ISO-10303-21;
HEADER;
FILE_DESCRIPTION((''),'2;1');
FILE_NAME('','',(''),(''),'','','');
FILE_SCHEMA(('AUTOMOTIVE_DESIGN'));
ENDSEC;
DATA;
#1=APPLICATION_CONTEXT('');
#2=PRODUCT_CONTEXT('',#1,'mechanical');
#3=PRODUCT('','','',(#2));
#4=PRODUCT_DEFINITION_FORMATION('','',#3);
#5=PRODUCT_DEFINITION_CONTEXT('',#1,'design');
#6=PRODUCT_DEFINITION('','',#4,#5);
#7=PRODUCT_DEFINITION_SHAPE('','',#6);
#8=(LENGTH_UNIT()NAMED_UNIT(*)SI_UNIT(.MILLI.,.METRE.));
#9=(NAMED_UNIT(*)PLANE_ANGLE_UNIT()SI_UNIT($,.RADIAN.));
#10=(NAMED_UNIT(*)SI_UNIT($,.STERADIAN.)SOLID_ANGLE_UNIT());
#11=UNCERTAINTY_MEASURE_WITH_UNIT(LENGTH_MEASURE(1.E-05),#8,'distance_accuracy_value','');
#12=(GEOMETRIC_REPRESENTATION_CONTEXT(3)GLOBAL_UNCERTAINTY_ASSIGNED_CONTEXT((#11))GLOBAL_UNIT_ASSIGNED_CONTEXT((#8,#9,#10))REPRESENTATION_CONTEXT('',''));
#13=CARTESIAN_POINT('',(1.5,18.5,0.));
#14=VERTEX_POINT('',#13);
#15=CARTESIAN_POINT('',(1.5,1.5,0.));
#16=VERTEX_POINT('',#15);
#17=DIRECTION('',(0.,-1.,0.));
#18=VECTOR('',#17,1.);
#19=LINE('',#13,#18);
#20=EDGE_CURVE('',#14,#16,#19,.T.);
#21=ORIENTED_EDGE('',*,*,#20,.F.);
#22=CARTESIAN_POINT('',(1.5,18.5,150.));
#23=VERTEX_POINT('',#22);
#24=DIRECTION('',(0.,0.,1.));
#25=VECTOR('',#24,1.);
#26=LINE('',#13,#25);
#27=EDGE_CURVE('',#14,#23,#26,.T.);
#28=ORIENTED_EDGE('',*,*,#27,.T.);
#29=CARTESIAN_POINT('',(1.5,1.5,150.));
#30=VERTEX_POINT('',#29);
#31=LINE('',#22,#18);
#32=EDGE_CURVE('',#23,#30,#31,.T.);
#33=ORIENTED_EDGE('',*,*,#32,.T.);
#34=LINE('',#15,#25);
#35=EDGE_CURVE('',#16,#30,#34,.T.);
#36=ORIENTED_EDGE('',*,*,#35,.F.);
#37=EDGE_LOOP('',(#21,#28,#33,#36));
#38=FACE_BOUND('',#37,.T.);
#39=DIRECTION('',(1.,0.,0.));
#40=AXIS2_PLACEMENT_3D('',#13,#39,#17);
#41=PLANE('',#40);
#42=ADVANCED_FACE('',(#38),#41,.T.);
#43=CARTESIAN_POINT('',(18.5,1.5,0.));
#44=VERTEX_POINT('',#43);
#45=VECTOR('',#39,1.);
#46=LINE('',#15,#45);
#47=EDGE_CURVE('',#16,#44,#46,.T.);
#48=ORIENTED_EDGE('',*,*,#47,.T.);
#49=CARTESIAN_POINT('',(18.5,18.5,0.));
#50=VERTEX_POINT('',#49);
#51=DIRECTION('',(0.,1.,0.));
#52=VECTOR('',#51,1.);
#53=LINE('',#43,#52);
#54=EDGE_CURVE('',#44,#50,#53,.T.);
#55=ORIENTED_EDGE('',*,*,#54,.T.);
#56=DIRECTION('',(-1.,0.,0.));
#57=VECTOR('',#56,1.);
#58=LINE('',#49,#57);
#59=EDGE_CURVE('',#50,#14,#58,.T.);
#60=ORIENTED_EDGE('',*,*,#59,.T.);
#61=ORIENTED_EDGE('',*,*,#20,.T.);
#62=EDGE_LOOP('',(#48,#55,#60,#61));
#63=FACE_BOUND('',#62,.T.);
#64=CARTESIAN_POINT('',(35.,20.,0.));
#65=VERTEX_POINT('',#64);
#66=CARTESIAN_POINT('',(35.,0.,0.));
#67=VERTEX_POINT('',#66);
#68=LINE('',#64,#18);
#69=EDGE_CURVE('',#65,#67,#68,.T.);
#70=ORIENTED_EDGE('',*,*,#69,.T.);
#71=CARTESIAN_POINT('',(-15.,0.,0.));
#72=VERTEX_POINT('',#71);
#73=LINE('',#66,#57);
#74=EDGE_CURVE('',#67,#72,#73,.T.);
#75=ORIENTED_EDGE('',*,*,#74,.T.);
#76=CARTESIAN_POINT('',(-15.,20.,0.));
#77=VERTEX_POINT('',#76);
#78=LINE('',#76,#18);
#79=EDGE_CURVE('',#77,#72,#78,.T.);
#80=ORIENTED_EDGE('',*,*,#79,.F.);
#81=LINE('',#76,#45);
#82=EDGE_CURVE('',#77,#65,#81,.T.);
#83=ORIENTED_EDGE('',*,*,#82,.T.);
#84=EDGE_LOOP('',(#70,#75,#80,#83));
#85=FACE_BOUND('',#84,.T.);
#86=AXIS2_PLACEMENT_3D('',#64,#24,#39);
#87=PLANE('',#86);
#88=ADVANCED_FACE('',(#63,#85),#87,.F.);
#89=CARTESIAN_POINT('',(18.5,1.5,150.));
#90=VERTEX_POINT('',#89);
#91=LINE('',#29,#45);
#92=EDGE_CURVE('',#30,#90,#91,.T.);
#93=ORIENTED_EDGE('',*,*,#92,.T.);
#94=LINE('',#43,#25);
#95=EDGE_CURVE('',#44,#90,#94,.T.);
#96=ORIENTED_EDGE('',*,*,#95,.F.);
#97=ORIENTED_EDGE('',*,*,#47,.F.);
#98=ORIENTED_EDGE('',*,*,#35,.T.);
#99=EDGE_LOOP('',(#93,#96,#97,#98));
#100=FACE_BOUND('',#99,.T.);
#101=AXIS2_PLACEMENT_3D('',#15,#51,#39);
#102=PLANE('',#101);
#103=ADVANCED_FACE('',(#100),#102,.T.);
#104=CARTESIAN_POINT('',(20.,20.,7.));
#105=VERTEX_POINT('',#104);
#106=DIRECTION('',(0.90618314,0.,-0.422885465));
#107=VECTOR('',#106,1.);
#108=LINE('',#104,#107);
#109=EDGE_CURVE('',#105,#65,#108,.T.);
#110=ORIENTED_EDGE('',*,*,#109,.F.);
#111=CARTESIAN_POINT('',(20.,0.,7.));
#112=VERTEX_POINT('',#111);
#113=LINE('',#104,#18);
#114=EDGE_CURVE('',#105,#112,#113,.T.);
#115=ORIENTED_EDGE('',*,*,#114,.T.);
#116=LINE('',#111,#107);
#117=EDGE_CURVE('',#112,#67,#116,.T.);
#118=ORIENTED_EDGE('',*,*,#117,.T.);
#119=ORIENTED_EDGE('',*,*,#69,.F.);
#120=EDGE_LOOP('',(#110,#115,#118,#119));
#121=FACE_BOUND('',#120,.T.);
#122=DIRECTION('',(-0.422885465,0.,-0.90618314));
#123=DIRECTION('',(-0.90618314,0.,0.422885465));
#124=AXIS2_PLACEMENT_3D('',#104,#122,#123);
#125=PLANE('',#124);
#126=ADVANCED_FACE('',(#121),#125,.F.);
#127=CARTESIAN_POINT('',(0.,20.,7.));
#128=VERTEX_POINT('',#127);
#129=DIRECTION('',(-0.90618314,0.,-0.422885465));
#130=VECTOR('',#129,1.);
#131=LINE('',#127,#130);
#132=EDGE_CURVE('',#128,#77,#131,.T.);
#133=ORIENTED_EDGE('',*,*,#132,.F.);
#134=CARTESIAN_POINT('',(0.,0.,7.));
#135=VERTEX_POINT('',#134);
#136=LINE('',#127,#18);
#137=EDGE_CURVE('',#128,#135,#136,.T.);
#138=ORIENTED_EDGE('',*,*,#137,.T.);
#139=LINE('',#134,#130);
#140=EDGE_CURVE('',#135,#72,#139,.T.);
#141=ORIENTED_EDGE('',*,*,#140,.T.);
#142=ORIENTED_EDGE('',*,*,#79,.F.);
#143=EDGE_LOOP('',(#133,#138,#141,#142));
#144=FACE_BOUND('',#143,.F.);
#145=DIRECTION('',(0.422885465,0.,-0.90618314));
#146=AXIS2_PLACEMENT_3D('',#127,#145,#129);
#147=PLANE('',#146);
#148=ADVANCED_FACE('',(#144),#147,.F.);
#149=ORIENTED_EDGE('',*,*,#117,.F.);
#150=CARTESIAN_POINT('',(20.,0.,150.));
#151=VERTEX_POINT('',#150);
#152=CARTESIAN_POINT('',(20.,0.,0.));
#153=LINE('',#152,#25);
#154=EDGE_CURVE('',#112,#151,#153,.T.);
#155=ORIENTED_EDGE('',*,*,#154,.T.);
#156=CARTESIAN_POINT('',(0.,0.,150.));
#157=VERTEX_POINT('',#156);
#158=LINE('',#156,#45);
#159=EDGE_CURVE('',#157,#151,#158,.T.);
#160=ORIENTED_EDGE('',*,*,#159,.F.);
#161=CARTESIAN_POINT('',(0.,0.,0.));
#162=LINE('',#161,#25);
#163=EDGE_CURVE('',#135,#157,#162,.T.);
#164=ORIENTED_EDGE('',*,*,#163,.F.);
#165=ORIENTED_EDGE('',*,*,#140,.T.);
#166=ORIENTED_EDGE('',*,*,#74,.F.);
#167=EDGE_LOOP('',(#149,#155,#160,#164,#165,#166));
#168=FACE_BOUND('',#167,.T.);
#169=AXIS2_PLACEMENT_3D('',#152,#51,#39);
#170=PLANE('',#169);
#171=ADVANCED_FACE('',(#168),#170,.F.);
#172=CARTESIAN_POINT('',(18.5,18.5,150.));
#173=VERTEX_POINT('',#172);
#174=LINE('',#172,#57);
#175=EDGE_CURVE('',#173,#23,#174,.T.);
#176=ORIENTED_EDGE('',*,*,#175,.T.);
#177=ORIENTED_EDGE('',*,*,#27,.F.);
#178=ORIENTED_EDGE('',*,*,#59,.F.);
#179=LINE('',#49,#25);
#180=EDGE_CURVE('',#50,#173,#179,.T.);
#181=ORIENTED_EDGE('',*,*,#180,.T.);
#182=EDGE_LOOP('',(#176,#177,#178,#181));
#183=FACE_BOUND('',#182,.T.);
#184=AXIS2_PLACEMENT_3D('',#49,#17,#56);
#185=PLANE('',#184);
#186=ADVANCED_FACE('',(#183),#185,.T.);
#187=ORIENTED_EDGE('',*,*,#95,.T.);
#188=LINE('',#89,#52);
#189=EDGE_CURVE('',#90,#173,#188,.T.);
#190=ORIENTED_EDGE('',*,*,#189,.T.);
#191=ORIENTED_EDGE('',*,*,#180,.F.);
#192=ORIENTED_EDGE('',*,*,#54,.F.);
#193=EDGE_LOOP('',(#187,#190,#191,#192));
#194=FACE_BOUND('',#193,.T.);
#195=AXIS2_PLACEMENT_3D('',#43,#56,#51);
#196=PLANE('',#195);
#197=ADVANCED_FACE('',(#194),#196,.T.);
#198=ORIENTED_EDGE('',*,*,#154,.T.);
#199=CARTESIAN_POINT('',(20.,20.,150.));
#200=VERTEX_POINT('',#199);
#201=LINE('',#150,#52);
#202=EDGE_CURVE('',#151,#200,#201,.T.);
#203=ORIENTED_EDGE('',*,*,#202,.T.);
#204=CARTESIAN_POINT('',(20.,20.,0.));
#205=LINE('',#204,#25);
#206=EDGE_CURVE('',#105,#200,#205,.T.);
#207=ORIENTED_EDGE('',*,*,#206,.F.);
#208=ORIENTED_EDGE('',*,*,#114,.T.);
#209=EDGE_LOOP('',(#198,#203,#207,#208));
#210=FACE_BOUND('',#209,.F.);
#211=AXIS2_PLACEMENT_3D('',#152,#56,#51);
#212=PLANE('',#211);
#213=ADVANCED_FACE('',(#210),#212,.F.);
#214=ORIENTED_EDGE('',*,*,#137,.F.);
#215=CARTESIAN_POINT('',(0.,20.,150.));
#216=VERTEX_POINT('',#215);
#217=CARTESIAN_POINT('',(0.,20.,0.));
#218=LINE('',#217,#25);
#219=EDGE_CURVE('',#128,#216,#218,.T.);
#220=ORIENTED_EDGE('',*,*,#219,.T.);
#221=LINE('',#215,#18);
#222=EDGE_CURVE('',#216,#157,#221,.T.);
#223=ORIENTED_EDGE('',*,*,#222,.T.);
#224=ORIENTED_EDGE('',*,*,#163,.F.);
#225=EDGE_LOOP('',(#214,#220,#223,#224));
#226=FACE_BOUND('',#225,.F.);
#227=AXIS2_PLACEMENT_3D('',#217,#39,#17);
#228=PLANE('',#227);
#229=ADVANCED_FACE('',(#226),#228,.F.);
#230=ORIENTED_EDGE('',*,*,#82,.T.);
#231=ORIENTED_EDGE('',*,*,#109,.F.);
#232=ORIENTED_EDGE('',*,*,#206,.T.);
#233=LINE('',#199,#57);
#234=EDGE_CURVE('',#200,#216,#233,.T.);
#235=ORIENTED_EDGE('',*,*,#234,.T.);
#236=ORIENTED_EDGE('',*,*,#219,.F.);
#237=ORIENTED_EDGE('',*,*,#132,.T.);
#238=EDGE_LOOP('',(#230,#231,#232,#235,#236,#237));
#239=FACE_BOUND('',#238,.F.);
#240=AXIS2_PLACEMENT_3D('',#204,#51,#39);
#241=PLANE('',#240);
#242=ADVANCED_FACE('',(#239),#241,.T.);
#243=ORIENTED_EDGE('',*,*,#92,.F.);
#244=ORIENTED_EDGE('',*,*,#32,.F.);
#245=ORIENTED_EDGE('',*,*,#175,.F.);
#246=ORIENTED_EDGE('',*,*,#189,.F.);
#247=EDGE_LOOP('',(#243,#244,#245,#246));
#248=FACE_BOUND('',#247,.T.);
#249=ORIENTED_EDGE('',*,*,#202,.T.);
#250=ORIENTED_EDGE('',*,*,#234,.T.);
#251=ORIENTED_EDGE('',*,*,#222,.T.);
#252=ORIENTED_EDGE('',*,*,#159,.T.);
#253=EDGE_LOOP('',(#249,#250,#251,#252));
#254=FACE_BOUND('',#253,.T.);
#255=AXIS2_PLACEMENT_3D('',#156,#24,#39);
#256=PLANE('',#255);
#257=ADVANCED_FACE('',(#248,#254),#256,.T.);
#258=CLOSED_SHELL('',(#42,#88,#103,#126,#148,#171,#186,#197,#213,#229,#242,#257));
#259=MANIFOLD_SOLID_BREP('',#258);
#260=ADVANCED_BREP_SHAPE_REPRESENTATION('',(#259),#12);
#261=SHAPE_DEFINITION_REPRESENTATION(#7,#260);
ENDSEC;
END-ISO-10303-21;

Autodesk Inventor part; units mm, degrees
ref_plane "YZ Plane" through (0, 0, 0) normal (1, 0, 0) x (0, 1, 0)
ref_plane "XZ Plane" through (0, 0, 0) normal (0, 1, 0) x (-1, 0, 0)
sketch "Эскиз1" plane through (0, 0, 0) normal (0, 0, 1) x (1, 0, 0)
  line L0 (0, 0) -> (20, 0)
  line L1 (20, 0) -> (20, 20)
  line L2 (20, 20) -> (0, 20)
  line L3 (0, 20) -> (0, 0)
  line L4 (1.5, 1.5) -> (18.5, 1.5)
  line L5 (18.5, 1.5) -> (18.5, 18.5)
  line L6 (18.5, 18.5) -> (1.5, 18.5)
  line L7 (1.5, 18.5) -> (1.5, 1.5)
  point P0 (10, 18.5)
  point P1 (10, 20)
  point P2 (18.5, 10)
  point P3 (20, 10)
  dimension "d0" = 20
  dimension "d1" = 1.5
extrude "Выдавливание1" add sketch "Эскиз1" along normal blind 150
sketch "Эскиз3" plane through (0, 20, 0) normal (0, 1, 0) x (1, 0, 0)
  line L0 (0, 0) -> (0, -150) projected
  line L1 (0, -7) -> (-15, 0)
  line L2 (-15, 0) -> (0, 0)
  line L3 (0, 0) -> (0, -7)
  line L4 (0, -7) -> (0, 0)
  dimension "d4" = 15
  dimension "d5" = 7
extrude "Выдавливание2" add sketch "Эскиз3" against normal up to surface (20 mm away)
ref_plane "РабПлоскость1" through (10, 0, 150) normal (-1, 0, 0) x (0, 0, 1)
mirror "Зеркальное отражение1" about plane through (10, 0, 150) normal (-1, 0, 0) of "Выдавливание2"
properties part number "shock_absorber_holder"
